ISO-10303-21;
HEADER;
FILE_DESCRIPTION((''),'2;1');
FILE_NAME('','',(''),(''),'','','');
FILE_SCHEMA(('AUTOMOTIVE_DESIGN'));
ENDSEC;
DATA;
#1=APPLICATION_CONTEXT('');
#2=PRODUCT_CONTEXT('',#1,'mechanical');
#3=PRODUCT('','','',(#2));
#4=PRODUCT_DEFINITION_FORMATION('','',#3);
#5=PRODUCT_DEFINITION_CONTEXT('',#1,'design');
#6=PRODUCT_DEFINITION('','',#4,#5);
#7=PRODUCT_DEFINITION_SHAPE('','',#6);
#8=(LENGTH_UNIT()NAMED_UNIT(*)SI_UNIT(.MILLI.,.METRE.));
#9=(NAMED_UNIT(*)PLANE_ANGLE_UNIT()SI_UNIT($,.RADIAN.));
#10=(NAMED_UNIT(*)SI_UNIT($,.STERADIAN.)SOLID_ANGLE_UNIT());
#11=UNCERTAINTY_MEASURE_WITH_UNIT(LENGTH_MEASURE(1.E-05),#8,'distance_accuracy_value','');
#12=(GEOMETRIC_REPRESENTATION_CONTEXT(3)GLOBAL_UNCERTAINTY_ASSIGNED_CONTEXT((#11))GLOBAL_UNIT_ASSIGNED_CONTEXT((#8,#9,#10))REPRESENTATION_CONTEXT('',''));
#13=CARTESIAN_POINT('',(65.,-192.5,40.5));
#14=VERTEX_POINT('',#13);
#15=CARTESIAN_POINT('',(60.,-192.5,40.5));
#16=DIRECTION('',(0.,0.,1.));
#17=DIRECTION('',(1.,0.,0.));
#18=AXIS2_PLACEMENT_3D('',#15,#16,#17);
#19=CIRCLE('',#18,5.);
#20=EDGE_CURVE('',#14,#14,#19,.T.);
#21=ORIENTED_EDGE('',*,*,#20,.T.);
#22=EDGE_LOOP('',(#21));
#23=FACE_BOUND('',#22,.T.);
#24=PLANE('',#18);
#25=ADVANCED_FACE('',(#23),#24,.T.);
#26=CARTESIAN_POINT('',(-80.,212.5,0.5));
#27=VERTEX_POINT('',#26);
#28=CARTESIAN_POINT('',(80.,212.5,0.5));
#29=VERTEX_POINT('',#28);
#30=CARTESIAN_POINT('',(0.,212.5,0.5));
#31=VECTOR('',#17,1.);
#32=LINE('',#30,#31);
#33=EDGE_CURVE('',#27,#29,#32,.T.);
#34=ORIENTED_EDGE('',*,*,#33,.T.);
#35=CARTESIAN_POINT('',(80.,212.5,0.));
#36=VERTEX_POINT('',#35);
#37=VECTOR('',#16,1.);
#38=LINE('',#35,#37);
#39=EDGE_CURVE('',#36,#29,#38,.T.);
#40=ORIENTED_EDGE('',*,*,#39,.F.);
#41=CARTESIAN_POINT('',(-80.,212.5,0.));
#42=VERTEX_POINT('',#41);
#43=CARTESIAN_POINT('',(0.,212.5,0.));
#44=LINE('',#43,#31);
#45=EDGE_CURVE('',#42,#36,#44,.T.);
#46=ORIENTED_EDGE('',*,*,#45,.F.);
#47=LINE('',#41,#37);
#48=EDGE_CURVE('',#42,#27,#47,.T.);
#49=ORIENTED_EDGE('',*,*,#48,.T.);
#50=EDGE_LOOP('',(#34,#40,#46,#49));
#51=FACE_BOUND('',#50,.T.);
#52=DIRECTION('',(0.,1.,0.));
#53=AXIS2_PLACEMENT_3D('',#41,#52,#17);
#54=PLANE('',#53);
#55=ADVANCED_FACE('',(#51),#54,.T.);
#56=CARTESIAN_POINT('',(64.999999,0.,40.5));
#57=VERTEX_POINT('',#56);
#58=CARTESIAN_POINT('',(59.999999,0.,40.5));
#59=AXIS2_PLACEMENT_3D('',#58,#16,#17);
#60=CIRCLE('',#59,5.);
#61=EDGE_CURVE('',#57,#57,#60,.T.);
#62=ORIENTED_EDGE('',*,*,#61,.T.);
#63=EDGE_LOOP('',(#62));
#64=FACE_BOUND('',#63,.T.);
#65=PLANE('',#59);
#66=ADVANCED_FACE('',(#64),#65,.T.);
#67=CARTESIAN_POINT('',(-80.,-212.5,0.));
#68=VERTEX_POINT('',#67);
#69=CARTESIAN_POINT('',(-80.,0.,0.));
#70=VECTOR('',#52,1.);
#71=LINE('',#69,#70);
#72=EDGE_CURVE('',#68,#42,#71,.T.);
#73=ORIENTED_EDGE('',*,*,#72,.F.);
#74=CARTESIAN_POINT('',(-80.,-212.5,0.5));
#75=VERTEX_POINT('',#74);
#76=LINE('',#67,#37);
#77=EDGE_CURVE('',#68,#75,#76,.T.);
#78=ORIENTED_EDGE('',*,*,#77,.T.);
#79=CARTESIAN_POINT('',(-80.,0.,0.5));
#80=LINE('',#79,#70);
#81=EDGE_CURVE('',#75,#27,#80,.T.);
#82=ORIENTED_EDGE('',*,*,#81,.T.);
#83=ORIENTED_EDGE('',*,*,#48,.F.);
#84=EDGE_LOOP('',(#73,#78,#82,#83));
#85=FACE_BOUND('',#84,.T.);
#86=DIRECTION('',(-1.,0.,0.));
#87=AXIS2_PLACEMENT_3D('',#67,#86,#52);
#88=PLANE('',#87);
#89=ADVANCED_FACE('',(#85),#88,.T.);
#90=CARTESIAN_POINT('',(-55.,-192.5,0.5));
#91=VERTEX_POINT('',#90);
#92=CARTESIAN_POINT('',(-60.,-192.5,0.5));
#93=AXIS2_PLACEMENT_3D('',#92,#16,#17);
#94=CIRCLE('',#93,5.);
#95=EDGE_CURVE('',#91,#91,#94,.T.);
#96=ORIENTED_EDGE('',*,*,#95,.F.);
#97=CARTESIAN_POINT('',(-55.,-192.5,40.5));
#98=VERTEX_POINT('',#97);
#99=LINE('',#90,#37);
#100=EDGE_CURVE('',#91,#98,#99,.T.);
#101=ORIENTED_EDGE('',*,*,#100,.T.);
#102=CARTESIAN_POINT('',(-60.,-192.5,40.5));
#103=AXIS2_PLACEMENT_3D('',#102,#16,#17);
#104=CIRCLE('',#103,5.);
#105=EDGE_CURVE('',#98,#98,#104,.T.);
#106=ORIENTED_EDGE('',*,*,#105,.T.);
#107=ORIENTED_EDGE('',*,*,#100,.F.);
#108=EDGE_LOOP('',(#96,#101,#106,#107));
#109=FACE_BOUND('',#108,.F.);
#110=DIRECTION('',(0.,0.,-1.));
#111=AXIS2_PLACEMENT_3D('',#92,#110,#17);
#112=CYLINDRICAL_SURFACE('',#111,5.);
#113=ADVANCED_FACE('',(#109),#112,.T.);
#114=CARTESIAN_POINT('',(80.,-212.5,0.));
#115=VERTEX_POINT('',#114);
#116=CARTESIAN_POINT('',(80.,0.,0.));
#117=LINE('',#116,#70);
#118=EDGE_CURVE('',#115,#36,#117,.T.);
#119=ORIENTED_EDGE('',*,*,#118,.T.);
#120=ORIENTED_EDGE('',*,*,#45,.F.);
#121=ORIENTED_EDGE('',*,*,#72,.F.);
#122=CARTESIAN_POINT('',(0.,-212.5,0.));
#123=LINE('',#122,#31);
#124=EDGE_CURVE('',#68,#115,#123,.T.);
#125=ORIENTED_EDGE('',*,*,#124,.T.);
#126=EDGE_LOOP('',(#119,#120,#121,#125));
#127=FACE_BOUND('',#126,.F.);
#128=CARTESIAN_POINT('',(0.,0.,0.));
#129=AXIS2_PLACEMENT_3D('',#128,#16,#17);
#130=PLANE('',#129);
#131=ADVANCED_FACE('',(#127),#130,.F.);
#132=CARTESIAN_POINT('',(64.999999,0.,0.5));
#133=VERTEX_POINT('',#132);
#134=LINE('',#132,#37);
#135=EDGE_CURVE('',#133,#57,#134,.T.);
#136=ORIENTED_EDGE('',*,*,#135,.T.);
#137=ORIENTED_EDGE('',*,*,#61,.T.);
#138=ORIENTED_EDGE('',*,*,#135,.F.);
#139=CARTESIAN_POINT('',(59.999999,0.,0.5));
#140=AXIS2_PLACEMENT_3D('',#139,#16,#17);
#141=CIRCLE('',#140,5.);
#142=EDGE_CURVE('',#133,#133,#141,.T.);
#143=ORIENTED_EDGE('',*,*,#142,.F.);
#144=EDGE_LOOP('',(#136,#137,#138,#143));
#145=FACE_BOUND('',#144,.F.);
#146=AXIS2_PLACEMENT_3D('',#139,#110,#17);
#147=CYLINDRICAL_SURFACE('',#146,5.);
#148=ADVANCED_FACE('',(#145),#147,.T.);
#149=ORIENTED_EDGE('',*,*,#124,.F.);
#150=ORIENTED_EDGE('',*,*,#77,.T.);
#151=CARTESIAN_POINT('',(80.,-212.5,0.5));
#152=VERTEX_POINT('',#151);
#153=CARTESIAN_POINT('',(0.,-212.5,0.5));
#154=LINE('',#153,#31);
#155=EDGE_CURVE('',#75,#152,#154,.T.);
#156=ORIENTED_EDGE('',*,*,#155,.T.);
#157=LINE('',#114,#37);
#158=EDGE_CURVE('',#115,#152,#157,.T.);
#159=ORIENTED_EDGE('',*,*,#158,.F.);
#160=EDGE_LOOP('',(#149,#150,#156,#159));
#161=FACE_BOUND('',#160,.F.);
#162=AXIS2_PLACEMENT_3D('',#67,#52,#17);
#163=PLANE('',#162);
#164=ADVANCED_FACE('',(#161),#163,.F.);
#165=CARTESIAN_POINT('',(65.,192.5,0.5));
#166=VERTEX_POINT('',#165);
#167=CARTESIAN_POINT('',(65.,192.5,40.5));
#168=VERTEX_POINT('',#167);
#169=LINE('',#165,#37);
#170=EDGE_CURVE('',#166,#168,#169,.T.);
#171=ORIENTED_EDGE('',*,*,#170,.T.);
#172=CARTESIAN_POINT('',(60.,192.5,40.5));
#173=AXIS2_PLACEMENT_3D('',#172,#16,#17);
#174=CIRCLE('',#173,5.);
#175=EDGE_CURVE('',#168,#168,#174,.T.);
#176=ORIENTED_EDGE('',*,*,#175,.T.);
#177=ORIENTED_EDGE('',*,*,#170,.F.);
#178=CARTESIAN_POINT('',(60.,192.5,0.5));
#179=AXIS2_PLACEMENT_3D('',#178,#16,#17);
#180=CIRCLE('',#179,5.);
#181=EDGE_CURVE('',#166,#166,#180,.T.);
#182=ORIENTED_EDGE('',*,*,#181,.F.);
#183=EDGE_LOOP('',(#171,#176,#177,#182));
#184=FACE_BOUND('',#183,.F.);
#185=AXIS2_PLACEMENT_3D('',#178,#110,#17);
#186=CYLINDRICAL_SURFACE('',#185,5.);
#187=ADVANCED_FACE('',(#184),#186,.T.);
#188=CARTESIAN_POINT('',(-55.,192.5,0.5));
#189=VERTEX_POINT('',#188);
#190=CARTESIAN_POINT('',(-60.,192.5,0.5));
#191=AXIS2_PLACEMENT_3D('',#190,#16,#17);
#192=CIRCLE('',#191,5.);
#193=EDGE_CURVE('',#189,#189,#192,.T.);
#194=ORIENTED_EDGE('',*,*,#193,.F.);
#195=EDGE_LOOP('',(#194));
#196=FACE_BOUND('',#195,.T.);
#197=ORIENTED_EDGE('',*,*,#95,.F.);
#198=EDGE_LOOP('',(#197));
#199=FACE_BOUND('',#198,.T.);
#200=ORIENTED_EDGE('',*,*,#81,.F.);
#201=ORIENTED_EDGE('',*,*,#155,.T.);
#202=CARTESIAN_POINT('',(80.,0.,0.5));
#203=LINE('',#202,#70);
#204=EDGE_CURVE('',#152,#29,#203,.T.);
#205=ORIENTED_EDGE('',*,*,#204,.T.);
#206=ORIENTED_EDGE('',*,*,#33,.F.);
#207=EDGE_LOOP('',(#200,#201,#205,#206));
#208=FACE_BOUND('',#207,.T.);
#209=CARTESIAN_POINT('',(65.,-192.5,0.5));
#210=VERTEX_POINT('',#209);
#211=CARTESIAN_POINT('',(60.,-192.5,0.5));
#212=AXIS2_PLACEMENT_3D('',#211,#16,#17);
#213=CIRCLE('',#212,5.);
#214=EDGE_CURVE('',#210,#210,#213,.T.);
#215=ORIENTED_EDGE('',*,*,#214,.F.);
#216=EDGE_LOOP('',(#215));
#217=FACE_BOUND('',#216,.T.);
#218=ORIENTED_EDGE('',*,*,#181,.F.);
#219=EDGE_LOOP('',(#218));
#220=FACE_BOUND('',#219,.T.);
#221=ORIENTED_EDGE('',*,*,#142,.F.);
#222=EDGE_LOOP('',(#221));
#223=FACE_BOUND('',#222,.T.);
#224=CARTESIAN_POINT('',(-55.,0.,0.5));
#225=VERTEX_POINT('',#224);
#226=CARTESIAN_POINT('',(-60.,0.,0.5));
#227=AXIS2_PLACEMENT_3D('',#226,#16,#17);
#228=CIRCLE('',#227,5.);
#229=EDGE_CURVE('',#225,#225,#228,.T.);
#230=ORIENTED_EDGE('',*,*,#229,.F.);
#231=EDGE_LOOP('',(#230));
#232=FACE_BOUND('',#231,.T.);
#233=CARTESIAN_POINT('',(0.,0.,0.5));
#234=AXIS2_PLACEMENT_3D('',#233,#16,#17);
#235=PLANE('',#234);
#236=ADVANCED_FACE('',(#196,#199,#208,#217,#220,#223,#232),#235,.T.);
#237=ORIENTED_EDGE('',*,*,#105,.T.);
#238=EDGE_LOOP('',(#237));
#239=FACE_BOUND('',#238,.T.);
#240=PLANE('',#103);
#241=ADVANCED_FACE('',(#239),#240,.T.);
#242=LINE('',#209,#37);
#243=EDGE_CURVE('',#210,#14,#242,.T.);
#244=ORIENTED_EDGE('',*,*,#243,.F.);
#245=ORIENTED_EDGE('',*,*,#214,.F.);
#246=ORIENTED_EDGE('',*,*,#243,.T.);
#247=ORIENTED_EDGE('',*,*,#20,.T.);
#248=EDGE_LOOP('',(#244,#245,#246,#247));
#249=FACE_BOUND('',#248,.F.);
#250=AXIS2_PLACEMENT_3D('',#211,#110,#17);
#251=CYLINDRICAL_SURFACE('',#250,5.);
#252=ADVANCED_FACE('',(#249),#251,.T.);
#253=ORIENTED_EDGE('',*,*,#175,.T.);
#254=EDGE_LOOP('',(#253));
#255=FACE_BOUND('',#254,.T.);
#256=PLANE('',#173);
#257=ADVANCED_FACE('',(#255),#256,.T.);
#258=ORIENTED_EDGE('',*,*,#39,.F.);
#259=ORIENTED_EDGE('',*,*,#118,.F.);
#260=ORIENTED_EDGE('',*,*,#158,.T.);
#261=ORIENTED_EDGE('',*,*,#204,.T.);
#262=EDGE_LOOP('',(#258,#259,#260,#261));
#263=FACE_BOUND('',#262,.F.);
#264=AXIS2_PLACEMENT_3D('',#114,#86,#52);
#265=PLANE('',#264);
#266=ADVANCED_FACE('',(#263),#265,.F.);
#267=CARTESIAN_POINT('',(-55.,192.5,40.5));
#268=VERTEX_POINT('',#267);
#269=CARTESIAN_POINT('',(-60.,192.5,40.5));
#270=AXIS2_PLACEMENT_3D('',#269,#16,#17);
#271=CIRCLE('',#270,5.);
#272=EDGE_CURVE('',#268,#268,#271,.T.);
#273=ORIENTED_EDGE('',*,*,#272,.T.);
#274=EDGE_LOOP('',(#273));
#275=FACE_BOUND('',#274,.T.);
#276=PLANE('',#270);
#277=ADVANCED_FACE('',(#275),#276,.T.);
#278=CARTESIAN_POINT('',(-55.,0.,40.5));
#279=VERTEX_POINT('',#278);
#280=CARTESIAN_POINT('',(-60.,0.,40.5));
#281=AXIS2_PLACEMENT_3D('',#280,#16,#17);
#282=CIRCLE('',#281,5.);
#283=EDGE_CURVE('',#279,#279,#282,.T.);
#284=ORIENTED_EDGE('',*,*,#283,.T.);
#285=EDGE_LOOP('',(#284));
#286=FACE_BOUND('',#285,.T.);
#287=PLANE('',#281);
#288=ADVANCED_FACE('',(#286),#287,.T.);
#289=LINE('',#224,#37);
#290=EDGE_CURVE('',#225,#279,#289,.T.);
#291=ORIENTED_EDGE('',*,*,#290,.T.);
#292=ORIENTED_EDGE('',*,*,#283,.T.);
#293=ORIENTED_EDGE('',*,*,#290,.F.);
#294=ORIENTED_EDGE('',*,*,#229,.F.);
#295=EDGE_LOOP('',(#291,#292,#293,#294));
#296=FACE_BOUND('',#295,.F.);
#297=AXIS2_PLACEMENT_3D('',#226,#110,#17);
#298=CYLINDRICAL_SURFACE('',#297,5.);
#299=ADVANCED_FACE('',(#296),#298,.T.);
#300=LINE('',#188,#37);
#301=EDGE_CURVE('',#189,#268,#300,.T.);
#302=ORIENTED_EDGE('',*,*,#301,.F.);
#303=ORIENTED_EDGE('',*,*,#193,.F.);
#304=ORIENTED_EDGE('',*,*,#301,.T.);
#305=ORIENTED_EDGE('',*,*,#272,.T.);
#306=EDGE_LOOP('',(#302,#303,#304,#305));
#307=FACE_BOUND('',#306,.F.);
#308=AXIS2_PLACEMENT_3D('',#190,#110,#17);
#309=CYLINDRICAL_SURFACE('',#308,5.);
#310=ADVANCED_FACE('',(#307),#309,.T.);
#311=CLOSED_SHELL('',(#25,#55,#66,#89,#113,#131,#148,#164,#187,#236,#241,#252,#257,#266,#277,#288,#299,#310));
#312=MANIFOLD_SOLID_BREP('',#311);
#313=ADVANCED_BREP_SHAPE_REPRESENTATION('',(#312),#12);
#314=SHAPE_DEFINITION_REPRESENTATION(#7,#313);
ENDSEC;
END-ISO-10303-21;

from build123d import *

# Parameters (mm, degrees)
F0_W     = 160
F0_H     = 425
F1_DEPTH = 0.5
F2_R     = 5
F3_DEPTH = 40


with BuildPart() as f1:
    # F0 (on Top) → F1 (new body)
    with BuildSketch(Plane.XY):
        Rectangle(F0_W, F0_H)
    extrude(amount=F1_DEPTH)

    # F2 (on face) → F3 (join)
    with BuildSketch(Plane.XY.offset(0.5)):
        with Locations((-60, 192.5)):
            Circle(F2_R)
        with Locations((60, 192.5)):
            Circle(F2_R)
        with Locations((60, -192.5)):
            Circle(F2_R)
        with Locations((-60, -192.5)):
            Circle(F2_R)
        with Locations((-60, 0)):
            Circle(F2_R)
        with Locations((59.999999, 0)):
            Circle(F2_R)
    extrude(amount=F3_DEPTH)


solid = f1.part
